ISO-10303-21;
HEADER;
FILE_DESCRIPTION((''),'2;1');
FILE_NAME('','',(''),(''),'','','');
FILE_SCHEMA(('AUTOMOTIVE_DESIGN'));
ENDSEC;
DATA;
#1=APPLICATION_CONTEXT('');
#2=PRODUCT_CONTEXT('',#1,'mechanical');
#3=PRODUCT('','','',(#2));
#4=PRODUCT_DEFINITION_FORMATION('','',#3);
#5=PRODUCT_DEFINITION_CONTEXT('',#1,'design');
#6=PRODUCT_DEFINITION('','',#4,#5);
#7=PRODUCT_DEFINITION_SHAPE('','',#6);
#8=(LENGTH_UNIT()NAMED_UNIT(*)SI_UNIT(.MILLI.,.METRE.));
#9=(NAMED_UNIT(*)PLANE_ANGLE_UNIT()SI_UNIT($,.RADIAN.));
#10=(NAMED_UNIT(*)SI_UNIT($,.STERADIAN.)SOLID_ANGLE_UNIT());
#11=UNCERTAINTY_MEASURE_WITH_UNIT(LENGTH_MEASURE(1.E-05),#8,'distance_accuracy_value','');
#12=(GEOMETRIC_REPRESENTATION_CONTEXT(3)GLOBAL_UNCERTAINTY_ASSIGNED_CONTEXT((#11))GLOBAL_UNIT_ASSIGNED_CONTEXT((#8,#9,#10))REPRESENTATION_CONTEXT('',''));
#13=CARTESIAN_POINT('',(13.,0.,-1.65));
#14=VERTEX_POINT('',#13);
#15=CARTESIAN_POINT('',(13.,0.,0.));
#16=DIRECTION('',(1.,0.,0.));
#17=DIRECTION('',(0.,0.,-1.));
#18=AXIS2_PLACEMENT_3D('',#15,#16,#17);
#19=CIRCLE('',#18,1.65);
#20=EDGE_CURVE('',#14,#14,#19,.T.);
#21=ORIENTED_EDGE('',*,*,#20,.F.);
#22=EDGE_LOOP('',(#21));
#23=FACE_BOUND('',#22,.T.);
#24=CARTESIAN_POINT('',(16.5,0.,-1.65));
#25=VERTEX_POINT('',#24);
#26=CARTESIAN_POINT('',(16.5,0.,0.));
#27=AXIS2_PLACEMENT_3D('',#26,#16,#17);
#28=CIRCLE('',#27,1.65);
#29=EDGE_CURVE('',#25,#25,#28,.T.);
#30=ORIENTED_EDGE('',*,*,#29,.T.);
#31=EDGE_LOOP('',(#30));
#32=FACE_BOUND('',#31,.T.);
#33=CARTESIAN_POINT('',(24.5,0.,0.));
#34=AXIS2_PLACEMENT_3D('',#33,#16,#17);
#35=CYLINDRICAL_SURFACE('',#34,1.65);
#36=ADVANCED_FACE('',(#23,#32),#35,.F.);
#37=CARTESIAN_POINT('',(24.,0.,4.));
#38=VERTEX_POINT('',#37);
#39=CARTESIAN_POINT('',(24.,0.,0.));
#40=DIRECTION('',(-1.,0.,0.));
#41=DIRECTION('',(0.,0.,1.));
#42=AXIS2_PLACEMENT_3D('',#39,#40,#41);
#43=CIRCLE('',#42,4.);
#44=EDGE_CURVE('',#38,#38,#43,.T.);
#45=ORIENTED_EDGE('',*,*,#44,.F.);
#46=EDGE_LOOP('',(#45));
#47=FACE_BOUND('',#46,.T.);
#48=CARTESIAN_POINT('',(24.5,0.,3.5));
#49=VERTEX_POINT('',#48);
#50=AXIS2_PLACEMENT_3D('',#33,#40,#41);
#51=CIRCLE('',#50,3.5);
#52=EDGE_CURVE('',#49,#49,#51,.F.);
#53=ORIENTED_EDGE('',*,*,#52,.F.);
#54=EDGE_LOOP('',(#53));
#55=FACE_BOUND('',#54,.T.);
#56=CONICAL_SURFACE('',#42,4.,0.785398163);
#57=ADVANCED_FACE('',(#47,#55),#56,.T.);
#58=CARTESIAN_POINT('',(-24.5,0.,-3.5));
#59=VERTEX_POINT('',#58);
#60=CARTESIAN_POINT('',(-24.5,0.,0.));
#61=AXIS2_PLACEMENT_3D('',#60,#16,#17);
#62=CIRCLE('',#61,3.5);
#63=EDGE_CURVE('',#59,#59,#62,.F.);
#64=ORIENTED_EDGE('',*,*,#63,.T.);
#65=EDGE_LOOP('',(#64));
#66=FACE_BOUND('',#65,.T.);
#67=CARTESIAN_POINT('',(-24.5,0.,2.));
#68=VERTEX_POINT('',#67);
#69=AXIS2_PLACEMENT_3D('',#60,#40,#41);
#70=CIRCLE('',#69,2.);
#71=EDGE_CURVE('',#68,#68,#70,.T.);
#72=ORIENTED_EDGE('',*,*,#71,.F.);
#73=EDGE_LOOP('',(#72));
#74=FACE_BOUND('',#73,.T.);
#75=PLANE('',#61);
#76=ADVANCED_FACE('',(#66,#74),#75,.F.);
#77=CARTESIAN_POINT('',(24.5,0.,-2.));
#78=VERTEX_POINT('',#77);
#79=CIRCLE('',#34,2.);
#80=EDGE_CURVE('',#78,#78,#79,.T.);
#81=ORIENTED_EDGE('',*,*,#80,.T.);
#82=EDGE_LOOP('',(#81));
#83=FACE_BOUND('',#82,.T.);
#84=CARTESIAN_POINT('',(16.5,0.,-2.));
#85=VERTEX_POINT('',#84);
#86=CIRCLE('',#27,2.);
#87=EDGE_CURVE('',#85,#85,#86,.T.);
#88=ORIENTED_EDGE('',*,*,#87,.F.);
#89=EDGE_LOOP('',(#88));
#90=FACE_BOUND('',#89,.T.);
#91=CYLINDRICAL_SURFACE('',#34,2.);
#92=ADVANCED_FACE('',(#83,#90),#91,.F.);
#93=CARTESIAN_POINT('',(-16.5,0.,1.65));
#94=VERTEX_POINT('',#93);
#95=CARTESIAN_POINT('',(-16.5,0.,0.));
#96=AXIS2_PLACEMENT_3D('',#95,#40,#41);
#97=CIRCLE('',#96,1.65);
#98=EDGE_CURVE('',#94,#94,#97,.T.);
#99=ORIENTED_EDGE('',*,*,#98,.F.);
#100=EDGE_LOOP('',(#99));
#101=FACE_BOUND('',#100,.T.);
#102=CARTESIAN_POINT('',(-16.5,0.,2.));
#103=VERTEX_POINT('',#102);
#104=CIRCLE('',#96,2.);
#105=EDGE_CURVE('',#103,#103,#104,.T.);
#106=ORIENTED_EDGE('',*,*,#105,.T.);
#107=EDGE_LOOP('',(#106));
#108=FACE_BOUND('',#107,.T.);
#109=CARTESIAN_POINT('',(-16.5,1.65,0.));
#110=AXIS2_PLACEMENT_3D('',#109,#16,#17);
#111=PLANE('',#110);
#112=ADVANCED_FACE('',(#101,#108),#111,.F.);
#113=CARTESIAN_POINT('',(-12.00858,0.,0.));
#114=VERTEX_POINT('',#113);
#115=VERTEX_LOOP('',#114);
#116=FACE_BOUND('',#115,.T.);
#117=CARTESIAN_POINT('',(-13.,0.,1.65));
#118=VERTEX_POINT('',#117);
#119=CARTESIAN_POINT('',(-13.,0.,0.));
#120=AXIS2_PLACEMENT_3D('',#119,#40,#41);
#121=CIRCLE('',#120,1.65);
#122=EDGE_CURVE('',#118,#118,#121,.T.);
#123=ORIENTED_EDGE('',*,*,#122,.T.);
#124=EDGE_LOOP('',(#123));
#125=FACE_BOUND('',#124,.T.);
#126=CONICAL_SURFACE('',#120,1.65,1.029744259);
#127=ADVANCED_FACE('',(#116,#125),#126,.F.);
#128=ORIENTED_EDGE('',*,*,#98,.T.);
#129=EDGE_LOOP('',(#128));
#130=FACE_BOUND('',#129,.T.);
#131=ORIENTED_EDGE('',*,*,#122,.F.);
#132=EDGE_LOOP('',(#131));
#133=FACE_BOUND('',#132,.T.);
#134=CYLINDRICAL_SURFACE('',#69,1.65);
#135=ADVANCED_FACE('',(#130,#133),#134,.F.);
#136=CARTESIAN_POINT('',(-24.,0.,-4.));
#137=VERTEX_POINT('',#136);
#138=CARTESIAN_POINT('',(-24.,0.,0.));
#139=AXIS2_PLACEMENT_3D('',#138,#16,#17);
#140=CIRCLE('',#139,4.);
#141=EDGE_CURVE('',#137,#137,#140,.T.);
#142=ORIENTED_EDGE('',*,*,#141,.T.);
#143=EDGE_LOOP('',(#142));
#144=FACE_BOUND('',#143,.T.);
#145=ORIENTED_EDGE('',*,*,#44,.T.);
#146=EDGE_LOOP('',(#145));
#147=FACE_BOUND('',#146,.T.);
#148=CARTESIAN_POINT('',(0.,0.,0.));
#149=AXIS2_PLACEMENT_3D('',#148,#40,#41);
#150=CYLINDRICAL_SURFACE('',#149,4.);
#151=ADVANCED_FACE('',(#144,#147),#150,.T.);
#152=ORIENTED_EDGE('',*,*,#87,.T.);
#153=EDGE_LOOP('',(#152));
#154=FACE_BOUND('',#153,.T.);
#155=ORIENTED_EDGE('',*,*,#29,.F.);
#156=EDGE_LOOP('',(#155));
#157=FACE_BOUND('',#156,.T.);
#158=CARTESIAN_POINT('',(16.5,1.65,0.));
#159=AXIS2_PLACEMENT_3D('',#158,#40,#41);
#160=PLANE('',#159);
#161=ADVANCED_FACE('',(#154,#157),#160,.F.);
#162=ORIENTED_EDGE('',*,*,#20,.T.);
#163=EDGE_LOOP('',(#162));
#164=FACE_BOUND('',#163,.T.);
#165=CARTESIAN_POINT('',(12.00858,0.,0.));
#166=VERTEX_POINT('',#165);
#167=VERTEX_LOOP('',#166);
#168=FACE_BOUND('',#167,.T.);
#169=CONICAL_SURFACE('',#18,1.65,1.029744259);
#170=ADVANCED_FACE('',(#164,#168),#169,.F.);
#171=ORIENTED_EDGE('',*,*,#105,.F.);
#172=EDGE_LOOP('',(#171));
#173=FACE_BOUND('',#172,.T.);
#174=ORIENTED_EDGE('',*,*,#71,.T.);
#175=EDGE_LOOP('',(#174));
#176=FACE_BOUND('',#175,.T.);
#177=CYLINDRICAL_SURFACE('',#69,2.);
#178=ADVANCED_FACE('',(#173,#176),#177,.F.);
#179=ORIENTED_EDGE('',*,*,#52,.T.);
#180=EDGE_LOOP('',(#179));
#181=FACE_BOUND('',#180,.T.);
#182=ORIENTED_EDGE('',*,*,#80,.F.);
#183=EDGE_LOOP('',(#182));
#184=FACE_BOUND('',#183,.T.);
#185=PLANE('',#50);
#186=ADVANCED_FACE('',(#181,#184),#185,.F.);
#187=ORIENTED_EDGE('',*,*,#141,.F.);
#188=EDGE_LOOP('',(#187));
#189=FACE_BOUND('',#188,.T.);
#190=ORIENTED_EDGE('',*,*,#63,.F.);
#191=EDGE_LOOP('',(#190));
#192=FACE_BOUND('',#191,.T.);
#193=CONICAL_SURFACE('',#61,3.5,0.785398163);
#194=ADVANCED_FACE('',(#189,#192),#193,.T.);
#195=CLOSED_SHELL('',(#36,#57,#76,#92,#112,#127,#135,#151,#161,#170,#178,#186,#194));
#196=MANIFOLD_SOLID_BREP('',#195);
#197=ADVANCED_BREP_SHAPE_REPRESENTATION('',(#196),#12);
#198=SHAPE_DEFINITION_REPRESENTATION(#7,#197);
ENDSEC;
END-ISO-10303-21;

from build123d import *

# Parameters (mm, degrees)
SKETCH_1_W                     = 49
SKETCH_1_H                     = 4
M4X0_7_1_D                     = 3.3
M4X0_7_1_DEPTH                 = 11.5
M4X0_7_1_CBORE_D               = 4
M4X0_7_1_CBORE_DEPTH           = 8
M4X0_7_1_TIP                   = 0.991420021
M4X0_7_1_ON_FACE_2_D           = 3.3
M4X0_7_1_ON_FACE_2_DEPTH       = 11.5
M4X0_7_1_ON_FACE_2_CBORE_D     = 4
M4X0_7_1_ON_FACE_2_CBORE_DEPTH = 8
M4X0_7_1_ON_FACE_2_TIP         = 0.991420021
CHAMFER_1_SIZE                 = 0.5


with BuildPart() as part:
    # ｽｹｯﾁ1 → 回転1 (revolve)
    with BuildSketch(Plane.XY, mode=Mode.PRIVATE) as revolve_1_sk:
        with Locations((0, 2)):
            Rectangle(SKETCH_1_W, SKETCH_1_H)
    revolve(revolve_1_sk.sketch.rotate(Axis((0, 0, 0), (1, 0, 0)), 90), axis=Axis((0, 0, 0), (1, 0, 0)))

    # M4x0.7 ねじ穴1
    with Locations(Plane(origin=(24.5, 0, 0), x_dir=(0, 0, 1), z_dir=(1, 0, 0))):
        with Locations((0, 0)):
            CounterBoreHole(M4X0_7_1_D / 2, M4X0_7_1_CBORE_D / 2, M4X0_7_1_CBORE_DEPTH, depth=M4X0_7_1_DEPTH)
            with Locations((0, 0, -(M4X0_7_1_DEPTH + M4X0_7_1_TIP / 2))):  # 118° drill point
                Cone(0, M4X0_7_1_D / 2, M4X0_7_1_TIP, mode=Mode.SUBTRACT)

    # M4x0.7 ねじ穴1 on face 2
    with Locations(Plane(origin=(-24.5, 0, 0), x_dir=(0, 0, -1), z_dir=(-1, 0, 0))):
        with Locations((0, 0)):
            CounterBoreHole(M4X0_7_1_ON_FACE_2_D / 2, M4X0_7_1_ON_FACE_2_CBORE_D / 2, M4X0_7_1_ON_FACE_2_CBORE_DEPTH, depth=M4X0_7_1_ON_FACE_2_DEPTH)
            with Locations((0, 0, -(M4X0_7_1_ON_FACE_2_DEPTH + M4X0_7_1_ON_FACE_2_TIP / 2))):  # 118° drill point
                Cone(0, M4X0_7_1_ON_FACE_2_D / 2, M4X0_7_1_ON_FACE_2_TIP, mode=Mode.SUBTRACT)

    # 面取り1
    chamfer_1_edges = [part.edges().sort_by_distance(p)[0] for p in [
        (24.5, 0, -4),
        (-24.5, 0, -4),
    ]]
    chamfer(chamfer_1_edges, length=CHAMFER_1_SIZE)


solid = part.part
